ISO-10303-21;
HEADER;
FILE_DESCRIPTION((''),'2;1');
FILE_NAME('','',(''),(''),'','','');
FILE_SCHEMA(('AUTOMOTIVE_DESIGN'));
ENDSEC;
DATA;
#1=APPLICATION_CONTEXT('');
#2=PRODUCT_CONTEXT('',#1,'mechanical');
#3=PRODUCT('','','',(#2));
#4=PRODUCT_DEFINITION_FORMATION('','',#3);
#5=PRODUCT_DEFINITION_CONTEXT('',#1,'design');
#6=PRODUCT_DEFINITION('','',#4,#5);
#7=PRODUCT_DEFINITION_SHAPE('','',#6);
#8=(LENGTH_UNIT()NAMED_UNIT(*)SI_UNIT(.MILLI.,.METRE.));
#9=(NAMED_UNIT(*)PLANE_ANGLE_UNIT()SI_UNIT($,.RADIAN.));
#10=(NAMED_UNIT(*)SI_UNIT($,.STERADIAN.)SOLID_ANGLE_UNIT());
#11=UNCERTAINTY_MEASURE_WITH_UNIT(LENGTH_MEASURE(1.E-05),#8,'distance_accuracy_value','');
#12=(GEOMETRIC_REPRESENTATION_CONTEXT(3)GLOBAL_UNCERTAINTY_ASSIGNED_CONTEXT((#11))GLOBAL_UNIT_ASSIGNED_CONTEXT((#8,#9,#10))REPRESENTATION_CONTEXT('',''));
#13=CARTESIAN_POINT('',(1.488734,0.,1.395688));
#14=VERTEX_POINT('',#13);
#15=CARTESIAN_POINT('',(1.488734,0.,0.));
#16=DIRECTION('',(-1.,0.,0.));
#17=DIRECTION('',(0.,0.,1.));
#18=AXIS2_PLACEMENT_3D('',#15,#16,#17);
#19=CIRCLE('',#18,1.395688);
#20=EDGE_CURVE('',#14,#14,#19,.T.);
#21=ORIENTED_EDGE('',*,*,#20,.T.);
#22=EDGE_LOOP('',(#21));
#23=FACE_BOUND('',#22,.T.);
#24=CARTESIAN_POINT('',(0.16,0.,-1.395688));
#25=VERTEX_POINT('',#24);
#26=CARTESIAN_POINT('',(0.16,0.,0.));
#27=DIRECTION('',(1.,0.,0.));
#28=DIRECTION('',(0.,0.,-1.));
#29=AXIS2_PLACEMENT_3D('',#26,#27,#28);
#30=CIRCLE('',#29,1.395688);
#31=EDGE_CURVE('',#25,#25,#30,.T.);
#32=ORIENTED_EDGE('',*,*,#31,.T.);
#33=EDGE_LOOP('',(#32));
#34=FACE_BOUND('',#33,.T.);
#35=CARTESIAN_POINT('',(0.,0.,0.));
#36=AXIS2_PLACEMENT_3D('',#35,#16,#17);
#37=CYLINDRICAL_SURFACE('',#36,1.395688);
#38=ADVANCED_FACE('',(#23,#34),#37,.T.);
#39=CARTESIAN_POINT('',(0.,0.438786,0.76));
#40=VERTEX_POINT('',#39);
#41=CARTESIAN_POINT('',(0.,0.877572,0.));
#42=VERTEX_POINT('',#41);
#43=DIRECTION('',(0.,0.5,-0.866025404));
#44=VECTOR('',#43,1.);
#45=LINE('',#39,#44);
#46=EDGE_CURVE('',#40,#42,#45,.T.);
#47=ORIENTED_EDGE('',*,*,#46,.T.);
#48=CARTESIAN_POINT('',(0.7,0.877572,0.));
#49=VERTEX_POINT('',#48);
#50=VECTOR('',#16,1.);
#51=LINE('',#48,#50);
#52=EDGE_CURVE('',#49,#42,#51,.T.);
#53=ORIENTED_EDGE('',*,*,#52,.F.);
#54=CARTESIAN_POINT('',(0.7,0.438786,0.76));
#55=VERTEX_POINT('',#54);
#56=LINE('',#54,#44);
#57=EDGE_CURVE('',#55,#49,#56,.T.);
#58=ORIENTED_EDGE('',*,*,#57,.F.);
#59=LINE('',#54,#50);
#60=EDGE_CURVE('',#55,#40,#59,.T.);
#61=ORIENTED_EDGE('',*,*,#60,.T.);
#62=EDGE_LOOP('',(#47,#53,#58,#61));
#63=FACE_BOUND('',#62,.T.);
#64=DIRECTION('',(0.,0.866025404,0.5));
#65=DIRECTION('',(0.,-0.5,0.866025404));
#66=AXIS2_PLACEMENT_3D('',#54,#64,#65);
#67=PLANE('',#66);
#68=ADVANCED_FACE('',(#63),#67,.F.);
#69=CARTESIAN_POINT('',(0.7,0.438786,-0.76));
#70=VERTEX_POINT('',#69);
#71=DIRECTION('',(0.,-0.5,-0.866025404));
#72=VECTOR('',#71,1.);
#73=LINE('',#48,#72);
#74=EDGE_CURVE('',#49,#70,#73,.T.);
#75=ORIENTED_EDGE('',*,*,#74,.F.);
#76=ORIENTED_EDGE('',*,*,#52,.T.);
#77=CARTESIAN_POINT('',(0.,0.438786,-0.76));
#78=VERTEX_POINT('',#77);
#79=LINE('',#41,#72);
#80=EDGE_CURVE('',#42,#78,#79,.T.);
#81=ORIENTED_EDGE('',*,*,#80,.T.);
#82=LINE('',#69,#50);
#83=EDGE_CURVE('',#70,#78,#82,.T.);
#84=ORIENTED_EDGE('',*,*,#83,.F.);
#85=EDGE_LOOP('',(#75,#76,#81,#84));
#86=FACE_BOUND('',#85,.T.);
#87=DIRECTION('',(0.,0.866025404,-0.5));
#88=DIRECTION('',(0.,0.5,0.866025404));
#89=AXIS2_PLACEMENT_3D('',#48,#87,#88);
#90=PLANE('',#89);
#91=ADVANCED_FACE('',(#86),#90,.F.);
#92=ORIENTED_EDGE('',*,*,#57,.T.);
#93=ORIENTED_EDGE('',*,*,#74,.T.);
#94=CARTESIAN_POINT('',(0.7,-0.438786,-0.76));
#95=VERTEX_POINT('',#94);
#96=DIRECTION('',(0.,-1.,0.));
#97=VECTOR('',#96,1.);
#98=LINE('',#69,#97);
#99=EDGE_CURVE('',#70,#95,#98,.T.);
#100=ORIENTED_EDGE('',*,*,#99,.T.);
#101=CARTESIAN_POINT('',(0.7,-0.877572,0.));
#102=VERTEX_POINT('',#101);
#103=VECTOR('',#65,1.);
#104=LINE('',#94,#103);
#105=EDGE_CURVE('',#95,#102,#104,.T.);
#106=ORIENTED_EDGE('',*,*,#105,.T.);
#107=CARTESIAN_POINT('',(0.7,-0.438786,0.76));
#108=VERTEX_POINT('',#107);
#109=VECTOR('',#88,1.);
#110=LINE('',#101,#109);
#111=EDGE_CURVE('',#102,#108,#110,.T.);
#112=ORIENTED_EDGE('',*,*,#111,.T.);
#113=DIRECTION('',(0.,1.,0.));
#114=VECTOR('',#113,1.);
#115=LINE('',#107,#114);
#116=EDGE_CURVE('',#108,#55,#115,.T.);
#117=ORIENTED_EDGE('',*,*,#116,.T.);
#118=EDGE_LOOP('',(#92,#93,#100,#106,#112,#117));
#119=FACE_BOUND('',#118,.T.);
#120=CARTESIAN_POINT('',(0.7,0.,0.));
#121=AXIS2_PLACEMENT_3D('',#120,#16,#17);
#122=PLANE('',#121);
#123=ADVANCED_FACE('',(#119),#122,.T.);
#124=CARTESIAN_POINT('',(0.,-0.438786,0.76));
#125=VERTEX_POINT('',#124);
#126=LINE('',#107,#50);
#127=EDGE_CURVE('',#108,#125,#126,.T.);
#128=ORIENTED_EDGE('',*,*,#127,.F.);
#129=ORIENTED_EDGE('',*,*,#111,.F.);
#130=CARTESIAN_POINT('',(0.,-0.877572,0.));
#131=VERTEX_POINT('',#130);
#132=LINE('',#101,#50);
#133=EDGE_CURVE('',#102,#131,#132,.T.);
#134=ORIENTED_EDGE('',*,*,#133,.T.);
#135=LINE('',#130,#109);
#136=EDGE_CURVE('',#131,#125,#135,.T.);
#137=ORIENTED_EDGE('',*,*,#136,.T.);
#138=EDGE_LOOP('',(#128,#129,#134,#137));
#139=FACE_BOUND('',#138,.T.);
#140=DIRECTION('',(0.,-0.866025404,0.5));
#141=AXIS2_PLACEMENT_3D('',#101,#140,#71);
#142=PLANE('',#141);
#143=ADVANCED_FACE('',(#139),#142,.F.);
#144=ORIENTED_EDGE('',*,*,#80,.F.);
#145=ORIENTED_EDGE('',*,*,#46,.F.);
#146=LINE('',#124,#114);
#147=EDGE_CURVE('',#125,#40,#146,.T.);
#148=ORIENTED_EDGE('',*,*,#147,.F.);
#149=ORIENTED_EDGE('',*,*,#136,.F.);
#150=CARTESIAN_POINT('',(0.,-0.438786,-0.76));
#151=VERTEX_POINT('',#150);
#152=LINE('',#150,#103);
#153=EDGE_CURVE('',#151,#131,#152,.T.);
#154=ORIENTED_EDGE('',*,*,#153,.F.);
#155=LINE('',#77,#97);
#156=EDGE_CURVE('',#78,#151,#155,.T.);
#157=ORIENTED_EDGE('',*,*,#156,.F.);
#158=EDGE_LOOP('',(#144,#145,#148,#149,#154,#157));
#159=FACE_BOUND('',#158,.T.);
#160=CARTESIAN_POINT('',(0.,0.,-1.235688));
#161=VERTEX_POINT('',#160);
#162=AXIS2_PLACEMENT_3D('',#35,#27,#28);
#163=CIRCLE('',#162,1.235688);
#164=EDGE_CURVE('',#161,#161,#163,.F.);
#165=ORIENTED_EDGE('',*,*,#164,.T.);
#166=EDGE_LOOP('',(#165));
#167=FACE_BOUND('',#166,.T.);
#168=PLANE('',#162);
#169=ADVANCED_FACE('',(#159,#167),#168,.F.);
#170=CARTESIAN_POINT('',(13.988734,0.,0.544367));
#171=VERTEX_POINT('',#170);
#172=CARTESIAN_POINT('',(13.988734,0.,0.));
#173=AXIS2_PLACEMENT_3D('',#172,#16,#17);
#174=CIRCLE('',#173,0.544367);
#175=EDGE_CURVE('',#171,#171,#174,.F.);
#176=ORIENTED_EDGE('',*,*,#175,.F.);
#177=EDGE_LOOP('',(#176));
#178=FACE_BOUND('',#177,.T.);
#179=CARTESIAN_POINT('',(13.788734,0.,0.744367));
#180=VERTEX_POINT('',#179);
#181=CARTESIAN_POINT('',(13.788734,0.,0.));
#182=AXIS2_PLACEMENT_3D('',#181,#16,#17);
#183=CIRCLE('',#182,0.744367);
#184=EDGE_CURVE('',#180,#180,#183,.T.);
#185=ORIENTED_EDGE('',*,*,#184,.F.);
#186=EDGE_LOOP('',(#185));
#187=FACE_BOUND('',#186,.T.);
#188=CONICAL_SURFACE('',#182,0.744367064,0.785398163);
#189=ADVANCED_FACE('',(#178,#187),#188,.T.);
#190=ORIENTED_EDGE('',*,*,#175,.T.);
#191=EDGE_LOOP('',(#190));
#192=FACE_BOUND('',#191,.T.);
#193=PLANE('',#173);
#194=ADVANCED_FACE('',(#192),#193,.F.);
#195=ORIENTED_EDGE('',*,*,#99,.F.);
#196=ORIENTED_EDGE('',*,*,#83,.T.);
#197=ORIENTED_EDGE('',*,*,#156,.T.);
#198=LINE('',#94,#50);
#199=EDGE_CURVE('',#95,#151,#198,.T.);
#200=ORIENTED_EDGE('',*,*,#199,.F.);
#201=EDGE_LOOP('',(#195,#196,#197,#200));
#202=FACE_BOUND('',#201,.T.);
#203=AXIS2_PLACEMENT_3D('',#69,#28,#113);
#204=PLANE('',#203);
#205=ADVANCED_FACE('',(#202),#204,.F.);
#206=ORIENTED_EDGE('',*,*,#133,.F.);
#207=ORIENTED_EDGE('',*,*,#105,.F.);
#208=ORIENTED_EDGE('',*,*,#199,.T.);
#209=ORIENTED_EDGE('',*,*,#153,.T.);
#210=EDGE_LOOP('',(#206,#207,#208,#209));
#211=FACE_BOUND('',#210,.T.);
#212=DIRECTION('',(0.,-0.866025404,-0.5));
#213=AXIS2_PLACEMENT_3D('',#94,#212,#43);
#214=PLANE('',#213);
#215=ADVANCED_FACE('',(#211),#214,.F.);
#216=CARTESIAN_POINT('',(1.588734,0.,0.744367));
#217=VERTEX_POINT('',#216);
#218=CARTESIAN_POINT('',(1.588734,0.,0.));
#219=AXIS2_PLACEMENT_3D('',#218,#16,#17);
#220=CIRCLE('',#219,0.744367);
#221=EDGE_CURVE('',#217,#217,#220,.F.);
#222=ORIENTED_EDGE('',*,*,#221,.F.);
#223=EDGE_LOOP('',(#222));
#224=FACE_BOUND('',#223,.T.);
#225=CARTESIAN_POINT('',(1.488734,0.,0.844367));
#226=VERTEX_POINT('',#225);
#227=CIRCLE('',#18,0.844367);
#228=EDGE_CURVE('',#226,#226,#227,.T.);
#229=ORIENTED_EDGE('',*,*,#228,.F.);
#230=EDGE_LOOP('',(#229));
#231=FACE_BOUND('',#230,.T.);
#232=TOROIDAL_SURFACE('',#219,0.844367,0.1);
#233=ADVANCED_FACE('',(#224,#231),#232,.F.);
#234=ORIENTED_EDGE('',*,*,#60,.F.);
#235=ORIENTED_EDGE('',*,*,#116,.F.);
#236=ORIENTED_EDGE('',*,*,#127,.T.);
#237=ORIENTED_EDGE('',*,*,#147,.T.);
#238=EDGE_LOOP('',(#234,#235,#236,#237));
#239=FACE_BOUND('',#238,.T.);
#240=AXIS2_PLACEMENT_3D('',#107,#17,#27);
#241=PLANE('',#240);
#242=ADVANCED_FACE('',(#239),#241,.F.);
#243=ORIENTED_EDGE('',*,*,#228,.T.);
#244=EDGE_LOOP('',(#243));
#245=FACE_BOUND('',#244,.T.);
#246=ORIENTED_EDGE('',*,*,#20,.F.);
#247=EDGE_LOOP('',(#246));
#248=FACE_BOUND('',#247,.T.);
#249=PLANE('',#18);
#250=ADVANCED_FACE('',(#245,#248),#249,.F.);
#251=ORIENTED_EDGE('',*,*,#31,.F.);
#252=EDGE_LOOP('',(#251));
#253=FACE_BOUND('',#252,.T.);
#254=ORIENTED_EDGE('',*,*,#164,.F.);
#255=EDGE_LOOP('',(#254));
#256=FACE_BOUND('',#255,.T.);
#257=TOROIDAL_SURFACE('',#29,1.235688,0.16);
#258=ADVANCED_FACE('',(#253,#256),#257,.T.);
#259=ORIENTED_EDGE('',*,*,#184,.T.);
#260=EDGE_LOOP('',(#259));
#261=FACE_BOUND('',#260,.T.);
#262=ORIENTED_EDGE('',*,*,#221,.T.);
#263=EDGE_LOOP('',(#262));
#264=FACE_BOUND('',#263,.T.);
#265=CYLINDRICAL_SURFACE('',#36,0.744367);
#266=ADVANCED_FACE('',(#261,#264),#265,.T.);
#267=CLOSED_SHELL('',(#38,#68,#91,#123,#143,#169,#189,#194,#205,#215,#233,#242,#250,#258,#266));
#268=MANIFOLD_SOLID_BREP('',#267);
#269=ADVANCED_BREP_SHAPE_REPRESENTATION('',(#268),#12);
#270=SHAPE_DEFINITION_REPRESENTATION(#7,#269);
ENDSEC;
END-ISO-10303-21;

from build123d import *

# Parameters (mm, degrees)
FILLET1_R      = 0.1
FILLET2_R      = 0.16
CHAMFER1_SIZE  = 0.2
EXTRUDE1_DEPTH = 0.7


with BuildPart() as part:
    # Sketch1 → Revolve1 (revolve)
    with BuildSketch(Plane.XY, mode=Mode.PRIVATE) as revolve1_sk:
        Polygon((0, 1.395688245), (0, 0), (13.988734128, 0), (13.988734128, 0.744367064), (1.488734128, 0.744367064), (1.488734128, 1.395688245), align=None)
    revolve(revolve1_sk.sketch.rotate(Axis((0, 0, 0), (1, 0, 0)), 90), axis=Axis((0, 0, 0), (1, 0, 0)))

    # Fillet1
    fillet1_edges = [part.edges().sort_by_distance(p)[0] for p in [
        (1.488734128, 0, -0.744367064),
    ]]
    fillet(fillet1_edges, radius=FILLET1_R)

    # Fillet2
    fillet2_edges = [part.edges().sort_by_distance(p)[0] for p in [
        (0, 0, -1.395688245),
    ]]
    fillet(fillet2_edges, radius=FILLET2_R)

    # Chamfer1
    chamfer1_edges = [part.edges().sort_by_distance(p)[0] for p in [
        (13.988734128, 0, -0.744367064),
    ]]
    chamfer(chamfer1_edges, length=CHAMFER1_SIZE)

    # Sketch2 → Extrude1 (cut)
    with BuildSketch(Plane.ZY):
        Polygon((0, 0.877572409), (-0.76, 0.438786205), (-0.76, -0.438786205), (0, -0.877572409), (0.76, -0.438786205), (0.76, 0.438786205), align=None)
    extrude(amount=-EXTRUDE1_DEPTH, mode=Mode.SUBTRACT)


solid = part.part
